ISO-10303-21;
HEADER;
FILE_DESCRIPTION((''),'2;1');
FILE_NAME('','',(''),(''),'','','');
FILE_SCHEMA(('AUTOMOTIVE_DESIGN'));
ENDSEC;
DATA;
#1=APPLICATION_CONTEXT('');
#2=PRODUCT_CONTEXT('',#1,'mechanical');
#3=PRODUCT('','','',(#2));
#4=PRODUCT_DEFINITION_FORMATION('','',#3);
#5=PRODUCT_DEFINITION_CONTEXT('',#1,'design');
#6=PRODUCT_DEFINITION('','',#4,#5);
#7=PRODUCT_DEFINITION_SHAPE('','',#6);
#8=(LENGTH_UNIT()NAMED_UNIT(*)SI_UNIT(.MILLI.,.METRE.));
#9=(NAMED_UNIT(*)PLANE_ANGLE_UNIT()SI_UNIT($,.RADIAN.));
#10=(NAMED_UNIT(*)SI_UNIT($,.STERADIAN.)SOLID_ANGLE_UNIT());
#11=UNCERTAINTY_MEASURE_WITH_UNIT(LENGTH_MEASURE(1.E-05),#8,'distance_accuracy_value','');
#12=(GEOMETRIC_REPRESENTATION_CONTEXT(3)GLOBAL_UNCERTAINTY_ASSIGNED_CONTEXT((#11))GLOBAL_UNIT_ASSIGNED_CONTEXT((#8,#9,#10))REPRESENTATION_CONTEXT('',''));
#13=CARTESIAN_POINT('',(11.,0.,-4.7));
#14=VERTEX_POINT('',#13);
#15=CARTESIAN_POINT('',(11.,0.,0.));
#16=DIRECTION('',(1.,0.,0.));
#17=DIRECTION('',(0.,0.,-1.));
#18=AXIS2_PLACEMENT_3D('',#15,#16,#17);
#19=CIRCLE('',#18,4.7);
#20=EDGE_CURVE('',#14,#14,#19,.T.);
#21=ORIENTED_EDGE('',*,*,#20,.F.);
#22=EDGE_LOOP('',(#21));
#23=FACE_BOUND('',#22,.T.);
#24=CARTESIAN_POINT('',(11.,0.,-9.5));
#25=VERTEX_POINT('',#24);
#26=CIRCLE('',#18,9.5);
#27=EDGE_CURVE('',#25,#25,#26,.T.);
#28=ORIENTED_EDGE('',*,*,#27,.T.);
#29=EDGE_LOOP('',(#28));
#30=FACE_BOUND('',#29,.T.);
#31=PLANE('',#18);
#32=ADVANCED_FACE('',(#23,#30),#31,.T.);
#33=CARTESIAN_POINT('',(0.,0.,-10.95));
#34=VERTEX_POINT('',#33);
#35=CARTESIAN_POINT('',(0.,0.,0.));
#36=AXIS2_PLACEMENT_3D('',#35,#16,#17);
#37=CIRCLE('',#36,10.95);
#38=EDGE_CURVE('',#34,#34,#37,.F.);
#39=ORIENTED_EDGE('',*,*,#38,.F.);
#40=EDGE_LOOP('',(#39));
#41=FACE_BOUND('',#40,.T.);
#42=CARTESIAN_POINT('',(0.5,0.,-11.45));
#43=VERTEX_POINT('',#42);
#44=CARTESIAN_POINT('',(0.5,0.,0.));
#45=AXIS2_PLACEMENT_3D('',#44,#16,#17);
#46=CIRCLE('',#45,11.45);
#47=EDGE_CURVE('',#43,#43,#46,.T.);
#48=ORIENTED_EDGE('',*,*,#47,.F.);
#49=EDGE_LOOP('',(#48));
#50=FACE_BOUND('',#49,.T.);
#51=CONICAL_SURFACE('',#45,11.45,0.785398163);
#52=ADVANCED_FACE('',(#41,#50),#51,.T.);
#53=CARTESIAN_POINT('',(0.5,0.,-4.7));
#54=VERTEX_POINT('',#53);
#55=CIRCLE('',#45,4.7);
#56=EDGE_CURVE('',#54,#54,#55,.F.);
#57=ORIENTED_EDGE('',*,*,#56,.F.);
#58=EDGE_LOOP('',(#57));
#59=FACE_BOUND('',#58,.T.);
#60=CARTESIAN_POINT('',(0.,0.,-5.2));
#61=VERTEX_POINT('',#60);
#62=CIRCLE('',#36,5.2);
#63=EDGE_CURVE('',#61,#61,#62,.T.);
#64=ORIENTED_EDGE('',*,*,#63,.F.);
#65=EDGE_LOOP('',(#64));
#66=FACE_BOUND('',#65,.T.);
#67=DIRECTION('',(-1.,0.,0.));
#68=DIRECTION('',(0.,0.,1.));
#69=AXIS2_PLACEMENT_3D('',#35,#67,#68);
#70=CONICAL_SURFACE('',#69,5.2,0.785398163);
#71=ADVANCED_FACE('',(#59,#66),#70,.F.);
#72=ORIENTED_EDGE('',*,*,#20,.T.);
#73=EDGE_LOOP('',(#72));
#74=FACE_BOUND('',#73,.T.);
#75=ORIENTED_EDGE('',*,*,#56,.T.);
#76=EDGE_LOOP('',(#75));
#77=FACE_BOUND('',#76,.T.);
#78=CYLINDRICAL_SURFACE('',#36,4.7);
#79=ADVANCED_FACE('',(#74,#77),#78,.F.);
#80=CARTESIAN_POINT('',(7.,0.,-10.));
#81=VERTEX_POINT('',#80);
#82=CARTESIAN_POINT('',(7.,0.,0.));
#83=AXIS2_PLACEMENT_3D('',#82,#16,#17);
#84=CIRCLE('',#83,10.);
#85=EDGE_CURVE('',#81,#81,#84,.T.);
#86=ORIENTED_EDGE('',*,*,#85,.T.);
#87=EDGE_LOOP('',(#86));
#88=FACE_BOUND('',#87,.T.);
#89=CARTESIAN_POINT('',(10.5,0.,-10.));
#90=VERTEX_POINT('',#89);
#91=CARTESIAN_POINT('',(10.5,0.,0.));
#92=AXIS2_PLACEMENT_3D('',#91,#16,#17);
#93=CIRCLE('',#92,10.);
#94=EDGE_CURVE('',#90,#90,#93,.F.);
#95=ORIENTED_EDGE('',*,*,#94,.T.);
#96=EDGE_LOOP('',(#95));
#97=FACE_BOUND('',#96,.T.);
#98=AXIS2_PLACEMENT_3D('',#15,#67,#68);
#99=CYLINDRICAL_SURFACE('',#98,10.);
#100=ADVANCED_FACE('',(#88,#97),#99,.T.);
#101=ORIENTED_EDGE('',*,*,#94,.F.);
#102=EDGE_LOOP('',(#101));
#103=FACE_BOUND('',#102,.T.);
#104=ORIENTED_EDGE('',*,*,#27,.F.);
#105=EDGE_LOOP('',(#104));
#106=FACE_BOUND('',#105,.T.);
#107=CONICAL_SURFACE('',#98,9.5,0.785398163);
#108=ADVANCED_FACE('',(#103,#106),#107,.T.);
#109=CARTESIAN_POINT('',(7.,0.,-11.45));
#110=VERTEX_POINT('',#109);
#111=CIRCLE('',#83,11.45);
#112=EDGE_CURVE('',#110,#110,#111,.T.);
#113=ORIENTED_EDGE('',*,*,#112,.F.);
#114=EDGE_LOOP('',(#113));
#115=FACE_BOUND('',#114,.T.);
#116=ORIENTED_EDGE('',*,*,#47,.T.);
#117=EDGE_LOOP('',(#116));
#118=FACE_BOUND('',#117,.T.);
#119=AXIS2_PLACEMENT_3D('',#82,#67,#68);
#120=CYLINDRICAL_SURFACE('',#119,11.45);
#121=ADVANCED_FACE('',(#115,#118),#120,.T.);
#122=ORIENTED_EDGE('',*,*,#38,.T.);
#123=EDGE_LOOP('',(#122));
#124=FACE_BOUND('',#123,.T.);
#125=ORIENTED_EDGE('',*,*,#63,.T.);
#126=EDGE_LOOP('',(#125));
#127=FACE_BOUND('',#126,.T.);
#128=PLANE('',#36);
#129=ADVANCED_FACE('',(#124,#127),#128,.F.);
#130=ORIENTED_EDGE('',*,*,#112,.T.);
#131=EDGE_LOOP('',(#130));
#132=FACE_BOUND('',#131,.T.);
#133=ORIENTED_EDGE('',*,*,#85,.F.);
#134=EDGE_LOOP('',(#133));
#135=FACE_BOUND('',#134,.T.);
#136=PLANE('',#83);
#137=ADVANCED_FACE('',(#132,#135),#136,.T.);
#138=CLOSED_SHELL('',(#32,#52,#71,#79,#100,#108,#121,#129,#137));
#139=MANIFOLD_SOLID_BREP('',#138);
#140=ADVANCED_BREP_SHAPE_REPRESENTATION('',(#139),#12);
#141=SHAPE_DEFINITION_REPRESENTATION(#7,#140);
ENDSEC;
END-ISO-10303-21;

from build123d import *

# Parameters (mm, degrees)
SKETCH1_R           = 11.45
BOSS_EXTRUDE1_DEPTH = 7
SKETCH2_R           = 10
BOSS_EXTRUDE2_DEPTH = 4
SKETCH3_R           = 4.7
CUT_EXTRUDE1_DEPTH  = 20.575622595
CHAMFER1_SIZE       = 0.5


with BuildPart() as part:
    # Sketch1 → Boss-Extrude1 (new body)
    with BuildSketch(Plane(origin=(0, 0, 0), x_dir=(0, 0, -1), z_dir=(1, 0, 0))):
        Circle(SKETCH1_R)
    extrude(amount=BOSS_EXTRUDE1_DEPTH)

    # Sketch2 → Boss-Extrude2 (add)
    with BuildSketch(Plane(origin=(7, 0, 0), x_dir=(0, 0, -1), z_dir=(1, 0, 0))):
        Circle(SKETCH2_R)
    extrude(amount=BOSS_EXTRUDE2_DEPTH)

    # Sketch3 → Cut-Extrude1 (cut, through all)
    with BuildSketch(Plane(origin=(11, 0, 0), x_dir=(0, 0, -1), z_dir=(1, 0, 0))):
        Circle(SKETCH3_R)
    extrude(amount=-CUT_EXTRUDE1_DEPTH, mode=Mode.SUBTRACT)

    # Chamfer1
    chamfer1_edges = [part.edges().sort_by_distance(p)[0] for p in [
        (0, 0, 4.7),
        (0, 0, 11.45),
        (11, 0, 10),
    ]]
    chamfer(chamfer1_edges, length=CHAMFER1_SIZE)


solid = part.part
